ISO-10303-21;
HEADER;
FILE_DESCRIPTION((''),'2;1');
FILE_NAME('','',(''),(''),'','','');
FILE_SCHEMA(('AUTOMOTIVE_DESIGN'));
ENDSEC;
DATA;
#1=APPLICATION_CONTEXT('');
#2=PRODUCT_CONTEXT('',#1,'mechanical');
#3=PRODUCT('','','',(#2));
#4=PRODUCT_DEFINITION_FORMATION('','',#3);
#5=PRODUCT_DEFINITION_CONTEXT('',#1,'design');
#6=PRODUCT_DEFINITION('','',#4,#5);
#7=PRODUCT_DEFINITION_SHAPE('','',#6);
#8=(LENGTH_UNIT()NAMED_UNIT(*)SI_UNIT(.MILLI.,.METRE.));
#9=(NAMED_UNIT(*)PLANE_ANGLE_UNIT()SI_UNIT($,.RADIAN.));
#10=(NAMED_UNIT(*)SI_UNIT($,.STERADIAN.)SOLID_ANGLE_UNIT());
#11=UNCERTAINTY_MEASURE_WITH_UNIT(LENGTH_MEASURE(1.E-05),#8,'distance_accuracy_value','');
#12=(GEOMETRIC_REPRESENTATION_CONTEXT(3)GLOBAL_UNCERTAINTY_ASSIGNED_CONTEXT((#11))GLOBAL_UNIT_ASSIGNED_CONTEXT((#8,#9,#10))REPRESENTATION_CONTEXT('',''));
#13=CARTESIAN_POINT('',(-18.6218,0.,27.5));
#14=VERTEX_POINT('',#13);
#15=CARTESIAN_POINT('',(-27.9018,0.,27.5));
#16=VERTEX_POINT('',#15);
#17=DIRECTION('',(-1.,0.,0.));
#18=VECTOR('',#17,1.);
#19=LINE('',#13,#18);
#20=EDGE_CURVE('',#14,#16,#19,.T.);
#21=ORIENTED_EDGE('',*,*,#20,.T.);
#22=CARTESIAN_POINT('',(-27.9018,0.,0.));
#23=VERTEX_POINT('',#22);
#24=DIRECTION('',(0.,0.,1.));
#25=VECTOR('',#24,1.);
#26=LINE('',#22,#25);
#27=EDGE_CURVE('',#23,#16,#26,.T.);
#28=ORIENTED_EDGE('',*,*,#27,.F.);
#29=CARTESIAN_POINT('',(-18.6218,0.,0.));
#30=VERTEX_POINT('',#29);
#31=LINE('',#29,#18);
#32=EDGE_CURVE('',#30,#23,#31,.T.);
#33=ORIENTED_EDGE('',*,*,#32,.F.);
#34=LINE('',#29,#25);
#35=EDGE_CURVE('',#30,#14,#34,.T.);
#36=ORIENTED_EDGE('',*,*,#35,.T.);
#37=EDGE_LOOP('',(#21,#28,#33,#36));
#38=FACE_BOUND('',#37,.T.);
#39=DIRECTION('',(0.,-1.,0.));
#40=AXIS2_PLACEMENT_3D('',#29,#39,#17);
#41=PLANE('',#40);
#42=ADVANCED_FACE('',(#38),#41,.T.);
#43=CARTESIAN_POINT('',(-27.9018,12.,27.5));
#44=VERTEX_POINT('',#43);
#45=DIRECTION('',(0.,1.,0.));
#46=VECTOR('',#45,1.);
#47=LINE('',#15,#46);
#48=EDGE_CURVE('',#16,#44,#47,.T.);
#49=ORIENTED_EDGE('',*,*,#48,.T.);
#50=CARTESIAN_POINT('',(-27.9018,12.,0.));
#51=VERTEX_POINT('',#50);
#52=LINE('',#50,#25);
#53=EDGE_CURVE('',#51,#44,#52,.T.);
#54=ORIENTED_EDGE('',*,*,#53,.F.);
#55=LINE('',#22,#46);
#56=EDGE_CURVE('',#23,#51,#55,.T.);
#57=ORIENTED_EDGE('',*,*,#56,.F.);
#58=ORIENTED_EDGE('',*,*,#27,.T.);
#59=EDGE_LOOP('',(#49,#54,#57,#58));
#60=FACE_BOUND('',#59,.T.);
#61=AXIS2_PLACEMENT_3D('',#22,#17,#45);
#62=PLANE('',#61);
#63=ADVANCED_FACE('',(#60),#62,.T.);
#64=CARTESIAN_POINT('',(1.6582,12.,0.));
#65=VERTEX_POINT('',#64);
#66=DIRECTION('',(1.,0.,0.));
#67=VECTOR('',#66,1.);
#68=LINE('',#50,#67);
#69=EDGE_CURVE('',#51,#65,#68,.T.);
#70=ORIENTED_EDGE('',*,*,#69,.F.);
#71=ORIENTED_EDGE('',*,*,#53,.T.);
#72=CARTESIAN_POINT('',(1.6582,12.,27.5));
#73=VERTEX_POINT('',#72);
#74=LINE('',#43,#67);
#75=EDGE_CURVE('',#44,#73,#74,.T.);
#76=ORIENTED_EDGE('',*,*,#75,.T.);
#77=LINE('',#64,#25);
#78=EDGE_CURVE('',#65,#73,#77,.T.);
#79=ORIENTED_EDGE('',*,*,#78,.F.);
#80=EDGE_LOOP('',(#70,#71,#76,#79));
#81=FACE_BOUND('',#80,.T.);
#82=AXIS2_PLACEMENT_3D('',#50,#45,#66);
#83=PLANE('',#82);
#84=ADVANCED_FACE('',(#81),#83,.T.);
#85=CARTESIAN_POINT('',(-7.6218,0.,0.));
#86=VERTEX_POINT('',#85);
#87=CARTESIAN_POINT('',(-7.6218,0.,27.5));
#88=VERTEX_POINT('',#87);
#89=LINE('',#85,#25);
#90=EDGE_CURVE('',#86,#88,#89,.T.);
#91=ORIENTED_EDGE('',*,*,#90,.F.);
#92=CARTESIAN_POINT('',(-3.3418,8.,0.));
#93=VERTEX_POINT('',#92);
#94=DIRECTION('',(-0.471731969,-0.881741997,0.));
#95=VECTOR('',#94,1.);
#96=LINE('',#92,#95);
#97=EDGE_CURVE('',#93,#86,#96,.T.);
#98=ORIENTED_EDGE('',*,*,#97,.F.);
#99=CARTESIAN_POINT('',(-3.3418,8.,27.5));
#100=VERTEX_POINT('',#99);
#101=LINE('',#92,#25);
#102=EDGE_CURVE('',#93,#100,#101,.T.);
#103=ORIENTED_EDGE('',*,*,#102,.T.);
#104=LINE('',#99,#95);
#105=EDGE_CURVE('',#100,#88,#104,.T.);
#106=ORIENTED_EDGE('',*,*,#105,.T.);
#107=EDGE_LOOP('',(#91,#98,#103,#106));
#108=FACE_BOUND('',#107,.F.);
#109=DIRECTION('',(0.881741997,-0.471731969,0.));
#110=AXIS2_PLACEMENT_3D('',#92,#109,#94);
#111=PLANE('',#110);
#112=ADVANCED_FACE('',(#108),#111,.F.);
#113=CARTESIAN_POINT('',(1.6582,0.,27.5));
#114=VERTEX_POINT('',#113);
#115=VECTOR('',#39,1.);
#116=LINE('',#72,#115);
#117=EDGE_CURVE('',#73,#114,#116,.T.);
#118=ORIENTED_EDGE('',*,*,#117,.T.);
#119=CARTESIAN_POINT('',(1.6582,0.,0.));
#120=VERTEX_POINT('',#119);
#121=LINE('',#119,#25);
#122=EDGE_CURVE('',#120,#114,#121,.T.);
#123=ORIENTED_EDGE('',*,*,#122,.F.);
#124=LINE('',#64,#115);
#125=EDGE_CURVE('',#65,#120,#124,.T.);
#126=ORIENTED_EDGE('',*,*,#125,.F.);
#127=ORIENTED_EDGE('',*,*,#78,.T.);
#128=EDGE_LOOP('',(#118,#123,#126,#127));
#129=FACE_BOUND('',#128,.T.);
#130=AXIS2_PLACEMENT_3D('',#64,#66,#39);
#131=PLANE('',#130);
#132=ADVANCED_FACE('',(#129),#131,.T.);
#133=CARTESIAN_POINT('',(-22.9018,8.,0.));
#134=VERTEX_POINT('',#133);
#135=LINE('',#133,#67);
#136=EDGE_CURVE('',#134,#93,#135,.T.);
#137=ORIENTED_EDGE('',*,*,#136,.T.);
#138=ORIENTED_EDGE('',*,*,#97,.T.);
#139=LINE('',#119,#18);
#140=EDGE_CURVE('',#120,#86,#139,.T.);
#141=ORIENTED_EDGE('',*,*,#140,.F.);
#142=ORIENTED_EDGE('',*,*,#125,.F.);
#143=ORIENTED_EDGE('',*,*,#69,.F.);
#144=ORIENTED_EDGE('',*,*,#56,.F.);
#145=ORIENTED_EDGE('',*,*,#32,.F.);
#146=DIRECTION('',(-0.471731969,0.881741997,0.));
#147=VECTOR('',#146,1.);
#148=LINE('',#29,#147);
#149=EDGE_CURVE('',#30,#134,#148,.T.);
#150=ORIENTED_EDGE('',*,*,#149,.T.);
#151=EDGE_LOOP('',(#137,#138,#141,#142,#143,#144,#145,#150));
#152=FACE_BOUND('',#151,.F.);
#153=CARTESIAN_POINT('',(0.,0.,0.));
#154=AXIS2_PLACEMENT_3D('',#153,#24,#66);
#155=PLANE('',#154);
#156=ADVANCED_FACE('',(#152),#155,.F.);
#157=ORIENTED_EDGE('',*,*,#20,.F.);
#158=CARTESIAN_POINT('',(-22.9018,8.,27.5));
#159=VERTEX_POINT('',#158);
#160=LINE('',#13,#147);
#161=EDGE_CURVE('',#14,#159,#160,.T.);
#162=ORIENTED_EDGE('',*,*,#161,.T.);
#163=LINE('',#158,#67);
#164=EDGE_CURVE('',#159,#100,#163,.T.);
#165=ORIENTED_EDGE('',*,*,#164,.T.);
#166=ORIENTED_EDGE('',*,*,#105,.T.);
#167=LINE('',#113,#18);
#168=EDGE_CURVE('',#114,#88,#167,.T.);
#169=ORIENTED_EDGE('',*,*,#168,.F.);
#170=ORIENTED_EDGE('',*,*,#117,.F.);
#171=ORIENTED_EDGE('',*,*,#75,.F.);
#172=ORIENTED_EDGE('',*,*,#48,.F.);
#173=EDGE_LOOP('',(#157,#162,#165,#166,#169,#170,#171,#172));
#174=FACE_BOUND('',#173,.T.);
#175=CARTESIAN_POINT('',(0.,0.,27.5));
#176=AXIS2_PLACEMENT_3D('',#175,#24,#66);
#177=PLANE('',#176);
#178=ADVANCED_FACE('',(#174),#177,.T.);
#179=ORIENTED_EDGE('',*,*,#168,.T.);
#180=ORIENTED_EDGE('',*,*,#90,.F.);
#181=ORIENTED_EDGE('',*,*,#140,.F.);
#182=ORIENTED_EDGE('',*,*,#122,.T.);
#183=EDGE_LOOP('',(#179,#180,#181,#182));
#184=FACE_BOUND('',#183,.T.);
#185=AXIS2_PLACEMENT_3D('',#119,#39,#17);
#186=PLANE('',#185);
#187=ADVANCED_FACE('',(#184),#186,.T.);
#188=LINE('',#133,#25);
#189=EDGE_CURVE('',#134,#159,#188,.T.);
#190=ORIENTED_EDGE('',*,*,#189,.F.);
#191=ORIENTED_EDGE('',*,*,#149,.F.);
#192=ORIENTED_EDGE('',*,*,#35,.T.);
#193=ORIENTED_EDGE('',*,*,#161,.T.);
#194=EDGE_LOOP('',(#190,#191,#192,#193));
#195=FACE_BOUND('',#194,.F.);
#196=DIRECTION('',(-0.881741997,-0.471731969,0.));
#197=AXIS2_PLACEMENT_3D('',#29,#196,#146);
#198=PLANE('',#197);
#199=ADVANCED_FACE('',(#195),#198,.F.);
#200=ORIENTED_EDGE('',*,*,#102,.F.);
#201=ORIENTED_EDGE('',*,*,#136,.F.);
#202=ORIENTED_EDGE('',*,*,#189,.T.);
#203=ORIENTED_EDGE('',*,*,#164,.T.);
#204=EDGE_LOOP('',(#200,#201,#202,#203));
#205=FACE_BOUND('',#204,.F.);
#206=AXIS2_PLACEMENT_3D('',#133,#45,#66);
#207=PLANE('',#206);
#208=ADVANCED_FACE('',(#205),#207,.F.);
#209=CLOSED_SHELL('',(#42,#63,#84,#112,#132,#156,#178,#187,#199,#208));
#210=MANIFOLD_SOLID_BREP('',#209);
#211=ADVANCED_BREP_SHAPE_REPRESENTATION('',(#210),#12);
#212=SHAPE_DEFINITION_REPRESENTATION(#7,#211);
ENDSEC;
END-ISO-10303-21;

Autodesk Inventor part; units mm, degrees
ref_plane "YZ Plane" through (0, 0, 0) normal (1, 0, 0) x (0, 1, 0)
ref_plane "XZ Plane" through (0, 0, 0) normal (0, 1, 0) x (-1, 0, 0)
ref_plane "XY Plane" through (0, 0, 0) normal (0, 0, 1) x (1, 0, 0)
sketch "Skizze1" plane through (0, 0, 0) normal (0, 0, 1) x (1, 0, 0)
  line L0 (-18.6218, 0) -> (-22.9018, 8)
  line L1 (-22.9018, 8) -> (-3.3418, 8)
  line L2 (-3.3418, 8) -> (-7.6218, 0)
  line L3 (-7.6218, 0) -> (-18.6218, 0)
  line L4 (-18.6218, 0) -> (-27.9018, 0)
  line L5 (-27.9018, 0) -> (-27.9018, 12)
  line L6 (-27.9018, 12) -> (1.6582, 12)
  line L7 (1.6582, 12) -> (1.6582, 0)
  line L8 (1.6582, 0) -> (-7.6218, 0)
  point P0 (0, 0)
  dimension "d0" = 8
  dimension "d1" = 11
  dimension "d3" = 4.28
  dimension "d6" = 4.28
  dimension "d7" = 4
  dimension "d8" = 5
  dimension "d9" = 5
  dimension "d10" = 29.56
extrude "Extrusion1" add sketch "Skizze1" along normal blind 27.5 contours L4 L5 L6 L7 L8 L2 L1 L0
properties part number "Schienenläuderaufsatz_22.5"
